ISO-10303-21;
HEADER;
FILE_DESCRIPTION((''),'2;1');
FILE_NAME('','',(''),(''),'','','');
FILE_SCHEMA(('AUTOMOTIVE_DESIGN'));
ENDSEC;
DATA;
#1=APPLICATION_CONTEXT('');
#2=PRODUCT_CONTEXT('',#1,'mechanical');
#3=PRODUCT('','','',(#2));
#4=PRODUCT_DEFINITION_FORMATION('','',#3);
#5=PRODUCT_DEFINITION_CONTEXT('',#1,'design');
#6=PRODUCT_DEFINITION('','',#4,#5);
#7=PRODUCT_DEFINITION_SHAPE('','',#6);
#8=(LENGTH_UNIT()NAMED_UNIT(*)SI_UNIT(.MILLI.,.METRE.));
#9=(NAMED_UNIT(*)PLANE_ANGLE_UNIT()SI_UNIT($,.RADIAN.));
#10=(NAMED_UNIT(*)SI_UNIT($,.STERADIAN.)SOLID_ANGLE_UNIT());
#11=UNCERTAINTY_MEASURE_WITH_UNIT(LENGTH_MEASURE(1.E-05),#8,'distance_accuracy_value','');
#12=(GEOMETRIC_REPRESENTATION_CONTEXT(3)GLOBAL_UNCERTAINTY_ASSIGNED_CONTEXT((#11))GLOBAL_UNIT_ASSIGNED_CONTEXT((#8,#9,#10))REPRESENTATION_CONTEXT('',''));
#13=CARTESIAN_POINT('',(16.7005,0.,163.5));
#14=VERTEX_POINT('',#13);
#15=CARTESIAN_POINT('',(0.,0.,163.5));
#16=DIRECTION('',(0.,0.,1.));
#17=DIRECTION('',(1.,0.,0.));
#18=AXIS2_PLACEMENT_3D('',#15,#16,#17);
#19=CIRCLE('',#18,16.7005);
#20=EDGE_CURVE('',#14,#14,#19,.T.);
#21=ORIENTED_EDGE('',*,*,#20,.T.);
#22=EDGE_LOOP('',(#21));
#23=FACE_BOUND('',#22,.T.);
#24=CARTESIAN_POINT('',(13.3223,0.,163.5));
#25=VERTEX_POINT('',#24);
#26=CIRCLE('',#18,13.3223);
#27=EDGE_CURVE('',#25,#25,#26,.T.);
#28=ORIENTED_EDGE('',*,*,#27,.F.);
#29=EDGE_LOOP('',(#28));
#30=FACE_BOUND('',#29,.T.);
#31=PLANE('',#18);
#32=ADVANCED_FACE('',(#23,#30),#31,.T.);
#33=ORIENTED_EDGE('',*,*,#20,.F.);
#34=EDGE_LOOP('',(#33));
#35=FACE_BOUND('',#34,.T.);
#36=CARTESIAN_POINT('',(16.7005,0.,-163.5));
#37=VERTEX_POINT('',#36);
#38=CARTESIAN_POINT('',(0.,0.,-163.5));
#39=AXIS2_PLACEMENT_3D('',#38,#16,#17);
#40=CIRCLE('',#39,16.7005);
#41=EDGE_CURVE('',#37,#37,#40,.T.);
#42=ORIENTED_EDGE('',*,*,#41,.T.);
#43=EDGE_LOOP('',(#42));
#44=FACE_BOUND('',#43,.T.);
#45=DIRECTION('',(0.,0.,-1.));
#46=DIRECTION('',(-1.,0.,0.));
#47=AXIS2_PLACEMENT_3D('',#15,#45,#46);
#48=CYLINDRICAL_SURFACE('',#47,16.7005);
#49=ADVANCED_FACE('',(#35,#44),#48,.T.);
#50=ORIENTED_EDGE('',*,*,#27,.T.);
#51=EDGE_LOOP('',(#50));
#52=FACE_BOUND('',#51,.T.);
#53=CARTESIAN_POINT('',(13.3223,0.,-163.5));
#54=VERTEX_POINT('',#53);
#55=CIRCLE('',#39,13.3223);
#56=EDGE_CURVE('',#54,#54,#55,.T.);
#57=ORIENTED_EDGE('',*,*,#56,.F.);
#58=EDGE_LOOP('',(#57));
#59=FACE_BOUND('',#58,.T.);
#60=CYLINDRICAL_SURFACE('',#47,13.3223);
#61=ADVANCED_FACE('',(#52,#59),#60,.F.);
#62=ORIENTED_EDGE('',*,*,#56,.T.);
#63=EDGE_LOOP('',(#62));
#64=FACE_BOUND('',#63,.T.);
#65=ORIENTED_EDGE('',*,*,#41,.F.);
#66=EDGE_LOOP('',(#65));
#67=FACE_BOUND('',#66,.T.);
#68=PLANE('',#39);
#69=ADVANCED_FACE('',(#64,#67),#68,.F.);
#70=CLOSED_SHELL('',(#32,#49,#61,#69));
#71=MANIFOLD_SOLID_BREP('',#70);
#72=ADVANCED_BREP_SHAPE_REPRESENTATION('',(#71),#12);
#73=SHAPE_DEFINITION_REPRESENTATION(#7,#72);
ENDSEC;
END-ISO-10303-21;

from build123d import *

# Parameters (mm, degrees)
SKETCH1_R           = 16.7005
SKETCH1_R_2         = 13.3223
BOSS_EXTRUDE1_DEPTH = 163.5


with BuildPart() as part:
    # Sketch1 → Boss-Extrude1 (new, symmetric)
    with BuildSketch(Plane.XY):
        Circle(SKETCH1_R)
        Circle(SKETCH1_R_2, mode=Mode.SUBTRACT)
    extrude(amount=BOSS_EXTRUDE1_DEPTH, both=True)


solid = part.part
